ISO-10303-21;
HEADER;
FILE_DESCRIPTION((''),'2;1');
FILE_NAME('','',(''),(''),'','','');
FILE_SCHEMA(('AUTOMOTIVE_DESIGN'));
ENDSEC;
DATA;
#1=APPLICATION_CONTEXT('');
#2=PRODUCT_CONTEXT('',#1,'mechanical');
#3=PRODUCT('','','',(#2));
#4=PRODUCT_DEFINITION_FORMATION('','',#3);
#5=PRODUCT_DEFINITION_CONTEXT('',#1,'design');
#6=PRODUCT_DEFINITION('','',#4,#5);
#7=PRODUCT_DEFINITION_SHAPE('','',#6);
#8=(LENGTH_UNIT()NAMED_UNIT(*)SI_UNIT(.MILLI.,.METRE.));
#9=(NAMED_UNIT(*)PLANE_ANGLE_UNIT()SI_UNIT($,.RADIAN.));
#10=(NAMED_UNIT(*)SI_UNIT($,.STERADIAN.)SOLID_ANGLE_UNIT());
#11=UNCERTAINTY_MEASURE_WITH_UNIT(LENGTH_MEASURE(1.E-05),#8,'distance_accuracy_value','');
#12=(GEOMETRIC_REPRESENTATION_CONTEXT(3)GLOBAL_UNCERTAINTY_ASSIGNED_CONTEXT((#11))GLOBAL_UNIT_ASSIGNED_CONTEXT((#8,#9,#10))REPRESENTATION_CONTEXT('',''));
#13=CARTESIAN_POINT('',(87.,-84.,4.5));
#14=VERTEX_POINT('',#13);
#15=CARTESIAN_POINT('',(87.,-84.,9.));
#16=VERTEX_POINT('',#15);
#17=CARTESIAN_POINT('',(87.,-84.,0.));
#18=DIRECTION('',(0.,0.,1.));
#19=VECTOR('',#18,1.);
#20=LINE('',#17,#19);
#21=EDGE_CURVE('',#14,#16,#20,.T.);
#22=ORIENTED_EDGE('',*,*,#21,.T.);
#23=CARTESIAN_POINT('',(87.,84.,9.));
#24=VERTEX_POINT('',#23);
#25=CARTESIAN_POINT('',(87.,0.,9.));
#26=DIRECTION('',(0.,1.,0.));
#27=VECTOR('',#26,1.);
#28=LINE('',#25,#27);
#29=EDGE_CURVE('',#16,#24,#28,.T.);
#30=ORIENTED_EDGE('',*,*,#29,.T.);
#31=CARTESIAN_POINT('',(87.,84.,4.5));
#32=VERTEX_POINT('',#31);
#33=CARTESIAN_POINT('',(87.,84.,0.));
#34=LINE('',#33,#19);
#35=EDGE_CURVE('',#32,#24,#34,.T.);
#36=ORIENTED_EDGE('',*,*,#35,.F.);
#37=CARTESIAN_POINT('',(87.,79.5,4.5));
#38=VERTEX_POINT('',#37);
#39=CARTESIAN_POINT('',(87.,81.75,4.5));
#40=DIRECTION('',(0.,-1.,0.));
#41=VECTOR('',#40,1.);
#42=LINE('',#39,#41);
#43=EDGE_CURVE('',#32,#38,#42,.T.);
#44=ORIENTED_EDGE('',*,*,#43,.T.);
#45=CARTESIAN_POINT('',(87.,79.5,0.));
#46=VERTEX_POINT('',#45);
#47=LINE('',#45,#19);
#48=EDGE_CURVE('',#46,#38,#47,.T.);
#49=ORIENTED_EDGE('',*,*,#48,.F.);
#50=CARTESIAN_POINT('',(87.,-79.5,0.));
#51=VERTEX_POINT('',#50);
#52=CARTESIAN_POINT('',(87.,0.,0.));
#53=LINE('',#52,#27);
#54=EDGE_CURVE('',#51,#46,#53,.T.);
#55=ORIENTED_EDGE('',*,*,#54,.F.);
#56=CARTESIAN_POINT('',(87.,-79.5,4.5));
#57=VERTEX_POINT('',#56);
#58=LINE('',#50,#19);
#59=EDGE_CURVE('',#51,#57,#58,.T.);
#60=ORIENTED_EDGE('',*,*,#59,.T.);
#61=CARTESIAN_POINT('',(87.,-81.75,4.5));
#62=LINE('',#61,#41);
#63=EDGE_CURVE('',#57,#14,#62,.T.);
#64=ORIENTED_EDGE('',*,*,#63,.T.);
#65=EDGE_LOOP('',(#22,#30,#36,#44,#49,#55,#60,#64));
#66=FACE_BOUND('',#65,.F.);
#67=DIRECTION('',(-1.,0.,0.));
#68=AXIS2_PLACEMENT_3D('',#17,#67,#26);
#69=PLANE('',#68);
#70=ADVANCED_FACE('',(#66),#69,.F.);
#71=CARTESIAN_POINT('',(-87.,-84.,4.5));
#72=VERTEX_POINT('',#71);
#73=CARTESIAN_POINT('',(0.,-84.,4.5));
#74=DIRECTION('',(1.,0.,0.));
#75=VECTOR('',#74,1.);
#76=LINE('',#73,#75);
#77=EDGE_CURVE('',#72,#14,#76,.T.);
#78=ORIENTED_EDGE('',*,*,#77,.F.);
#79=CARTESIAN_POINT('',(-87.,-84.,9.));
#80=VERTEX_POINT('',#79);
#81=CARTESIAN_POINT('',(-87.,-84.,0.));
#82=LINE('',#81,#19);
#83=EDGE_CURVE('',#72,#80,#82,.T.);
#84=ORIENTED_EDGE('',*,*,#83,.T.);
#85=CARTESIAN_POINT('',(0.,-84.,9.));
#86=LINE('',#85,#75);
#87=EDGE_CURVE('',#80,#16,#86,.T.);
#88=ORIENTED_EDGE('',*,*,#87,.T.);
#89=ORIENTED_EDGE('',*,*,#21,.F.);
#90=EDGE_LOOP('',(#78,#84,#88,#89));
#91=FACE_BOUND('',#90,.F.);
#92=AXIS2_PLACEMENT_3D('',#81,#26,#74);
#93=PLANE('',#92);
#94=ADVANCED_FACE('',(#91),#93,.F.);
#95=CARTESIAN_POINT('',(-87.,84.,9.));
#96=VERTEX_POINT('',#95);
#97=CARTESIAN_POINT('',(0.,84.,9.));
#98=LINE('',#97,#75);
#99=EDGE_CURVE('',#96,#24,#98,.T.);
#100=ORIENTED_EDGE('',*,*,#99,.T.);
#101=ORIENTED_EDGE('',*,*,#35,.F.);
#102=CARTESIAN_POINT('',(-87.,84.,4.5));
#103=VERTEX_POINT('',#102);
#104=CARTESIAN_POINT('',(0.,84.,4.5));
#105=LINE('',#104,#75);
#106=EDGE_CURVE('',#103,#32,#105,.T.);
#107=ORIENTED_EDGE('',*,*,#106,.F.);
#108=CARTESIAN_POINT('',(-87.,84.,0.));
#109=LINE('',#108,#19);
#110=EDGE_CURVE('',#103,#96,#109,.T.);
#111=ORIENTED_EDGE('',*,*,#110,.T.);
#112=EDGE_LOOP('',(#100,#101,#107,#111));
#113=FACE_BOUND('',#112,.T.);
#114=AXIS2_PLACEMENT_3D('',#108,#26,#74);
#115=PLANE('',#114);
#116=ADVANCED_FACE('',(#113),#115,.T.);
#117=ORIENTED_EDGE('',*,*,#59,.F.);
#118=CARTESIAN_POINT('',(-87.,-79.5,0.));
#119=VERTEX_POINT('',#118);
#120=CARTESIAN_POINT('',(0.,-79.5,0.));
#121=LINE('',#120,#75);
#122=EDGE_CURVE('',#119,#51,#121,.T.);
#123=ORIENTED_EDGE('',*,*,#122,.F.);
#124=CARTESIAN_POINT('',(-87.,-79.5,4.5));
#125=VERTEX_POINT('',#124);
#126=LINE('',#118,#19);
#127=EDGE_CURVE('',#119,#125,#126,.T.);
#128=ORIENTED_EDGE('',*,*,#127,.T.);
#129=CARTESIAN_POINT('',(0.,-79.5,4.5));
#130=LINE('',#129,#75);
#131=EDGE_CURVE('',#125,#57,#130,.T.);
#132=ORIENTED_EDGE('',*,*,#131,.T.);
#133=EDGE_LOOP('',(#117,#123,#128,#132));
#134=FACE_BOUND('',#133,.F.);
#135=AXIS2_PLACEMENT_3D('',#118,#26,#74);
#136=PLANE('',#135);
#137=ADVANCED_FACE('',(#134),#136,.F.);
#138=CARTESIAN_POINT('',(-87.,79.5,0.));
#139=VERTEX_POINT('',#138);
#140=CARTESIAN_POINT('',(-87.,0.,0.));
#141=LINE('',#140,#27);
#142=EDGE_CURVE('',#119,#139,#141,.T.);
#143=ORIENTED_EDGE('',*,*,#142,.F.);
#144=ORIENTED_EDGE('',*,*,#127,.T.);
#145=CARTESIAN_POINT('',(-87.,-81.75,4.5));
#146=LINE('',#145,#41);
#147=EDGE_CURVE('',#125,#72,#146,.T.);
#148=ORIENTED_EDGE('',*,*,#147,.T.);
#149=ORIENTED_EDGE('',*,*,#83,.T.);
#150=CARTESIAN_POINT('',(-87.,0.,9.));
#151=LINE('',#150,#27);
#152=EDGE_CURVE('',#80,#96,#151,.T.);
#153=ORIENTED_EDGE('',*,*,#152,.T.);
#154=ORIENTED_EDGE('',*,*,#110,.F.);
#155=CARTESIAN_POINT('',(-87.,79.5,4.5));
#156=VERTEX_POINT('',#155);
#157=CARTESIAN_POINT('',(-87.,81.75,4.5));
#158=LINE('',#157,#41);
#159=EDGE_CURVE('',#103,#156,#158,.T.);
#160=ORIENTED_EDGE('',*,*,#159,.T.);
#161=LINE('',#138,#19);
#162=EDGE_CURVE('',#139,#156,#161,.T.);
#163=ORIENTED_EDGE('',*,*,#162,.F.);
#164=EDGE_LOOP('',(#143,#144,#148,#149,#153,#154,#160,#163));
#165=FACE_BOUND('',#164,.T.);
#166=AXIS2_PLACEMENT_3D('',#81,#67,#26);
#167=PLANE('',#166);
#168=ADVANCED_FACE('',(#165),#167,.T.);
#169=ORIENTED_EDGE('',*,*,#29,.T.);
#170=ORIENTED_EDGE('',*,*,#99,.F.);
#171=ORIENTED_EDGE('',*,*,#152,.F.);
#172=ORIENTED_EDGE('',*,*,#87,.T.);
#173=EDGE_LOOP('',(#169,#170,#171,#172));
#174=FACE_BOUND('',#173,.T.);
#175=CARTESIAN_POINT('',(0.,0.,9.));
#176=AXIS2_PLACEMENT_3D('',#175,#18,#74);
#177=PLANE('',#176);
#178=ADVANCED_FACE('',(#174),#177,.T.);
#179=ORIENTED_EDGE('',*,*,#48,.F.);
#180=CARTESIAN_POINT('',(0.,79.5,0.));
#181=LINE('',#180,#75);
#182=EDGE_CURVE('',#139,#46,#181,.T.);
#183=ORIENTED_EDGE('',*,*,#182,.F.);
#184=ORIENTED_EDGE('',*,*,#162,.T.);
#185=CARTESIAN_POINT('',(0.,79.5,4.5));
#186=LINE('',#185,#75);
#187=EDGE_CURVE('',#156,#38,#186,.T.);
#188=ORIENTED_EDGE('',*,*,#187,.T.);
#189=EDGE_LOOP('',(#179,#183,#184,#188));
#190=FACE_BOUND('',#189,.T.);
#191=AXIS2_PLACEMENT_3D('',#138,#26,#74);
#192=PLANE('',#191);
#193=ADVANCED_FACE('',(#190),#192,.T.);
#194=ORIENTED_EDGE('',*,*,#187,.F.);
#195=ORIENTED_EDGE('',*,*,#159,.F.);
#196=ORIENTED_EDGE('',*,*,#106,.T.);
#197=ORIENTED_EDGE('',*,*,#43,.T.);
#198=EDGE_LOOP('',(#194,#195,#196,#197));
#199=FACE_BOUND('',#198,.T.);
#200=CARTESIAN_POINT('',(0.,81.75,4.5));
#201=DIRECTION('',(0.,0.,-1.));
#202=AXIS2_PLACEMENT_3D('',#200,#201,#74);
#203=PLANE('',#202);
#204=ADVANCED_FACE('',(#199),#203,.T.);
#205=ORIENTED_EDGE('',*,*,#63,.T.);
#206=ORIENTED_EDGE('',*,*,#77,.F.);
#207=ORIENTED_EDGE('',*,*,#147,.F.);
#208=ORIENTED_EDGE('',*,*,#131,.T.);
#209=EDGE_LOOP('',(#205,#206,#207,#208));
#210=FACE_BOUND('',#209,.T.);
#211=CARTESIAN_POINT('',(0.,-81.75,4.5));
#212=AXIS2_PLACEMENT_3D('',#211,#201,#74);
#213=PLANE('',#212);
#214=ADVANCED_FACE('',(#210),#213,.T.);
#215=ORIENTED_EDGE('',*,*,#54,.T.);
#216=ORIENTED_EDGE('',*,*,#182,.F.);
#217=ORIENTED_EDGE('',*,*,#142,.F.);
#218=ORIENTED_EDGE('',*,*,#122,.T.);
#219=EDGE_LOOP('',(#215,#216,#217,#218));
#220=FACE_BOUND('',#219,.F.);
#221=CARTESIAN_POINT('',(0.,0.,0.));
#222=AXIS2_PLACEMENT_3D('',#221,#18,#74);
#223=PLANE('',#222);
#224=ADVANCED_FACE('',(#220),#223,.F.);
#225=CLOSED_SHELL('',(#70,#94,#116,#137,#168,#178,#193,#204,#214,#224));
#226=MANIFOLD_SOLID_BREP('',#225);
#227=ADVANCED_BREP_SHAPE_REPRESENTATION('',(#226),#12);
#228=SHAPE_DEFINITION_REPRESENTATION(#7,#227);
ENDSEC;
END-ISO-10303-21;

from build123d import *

# Parameters (mm, degrees)
F0_W     = 174
F0_H     = 168
F1_DEPTH = 9
F2_W     = 174
F2_H     = 4.5
F3_DEPTH = 4.5


with BuildPart() as f1:
    # F0 (on Top) → F1 (new body)
    with BuildSketch(Plane.XY):
        Rectangle(F0_W, F0_H)
    extrude(amount=F1_DEPTH)

    # F2 (on face) → F3 (cut)
    with BuildSketch(Plane(origin=(0, 0, 0), x_dir=(1, 0, 0), z_dir=(0, 0, -1))):
        with Locations((0, 81.75)):
            Rectangle(F2_W, F2_H)
        with Locations((0, -81.75)):
            Rectangle(F2_W, F2_H)
    extrude(amount=-F3_DEPTH, mode=Mode.SUBTRACT)


solid = f1.part
